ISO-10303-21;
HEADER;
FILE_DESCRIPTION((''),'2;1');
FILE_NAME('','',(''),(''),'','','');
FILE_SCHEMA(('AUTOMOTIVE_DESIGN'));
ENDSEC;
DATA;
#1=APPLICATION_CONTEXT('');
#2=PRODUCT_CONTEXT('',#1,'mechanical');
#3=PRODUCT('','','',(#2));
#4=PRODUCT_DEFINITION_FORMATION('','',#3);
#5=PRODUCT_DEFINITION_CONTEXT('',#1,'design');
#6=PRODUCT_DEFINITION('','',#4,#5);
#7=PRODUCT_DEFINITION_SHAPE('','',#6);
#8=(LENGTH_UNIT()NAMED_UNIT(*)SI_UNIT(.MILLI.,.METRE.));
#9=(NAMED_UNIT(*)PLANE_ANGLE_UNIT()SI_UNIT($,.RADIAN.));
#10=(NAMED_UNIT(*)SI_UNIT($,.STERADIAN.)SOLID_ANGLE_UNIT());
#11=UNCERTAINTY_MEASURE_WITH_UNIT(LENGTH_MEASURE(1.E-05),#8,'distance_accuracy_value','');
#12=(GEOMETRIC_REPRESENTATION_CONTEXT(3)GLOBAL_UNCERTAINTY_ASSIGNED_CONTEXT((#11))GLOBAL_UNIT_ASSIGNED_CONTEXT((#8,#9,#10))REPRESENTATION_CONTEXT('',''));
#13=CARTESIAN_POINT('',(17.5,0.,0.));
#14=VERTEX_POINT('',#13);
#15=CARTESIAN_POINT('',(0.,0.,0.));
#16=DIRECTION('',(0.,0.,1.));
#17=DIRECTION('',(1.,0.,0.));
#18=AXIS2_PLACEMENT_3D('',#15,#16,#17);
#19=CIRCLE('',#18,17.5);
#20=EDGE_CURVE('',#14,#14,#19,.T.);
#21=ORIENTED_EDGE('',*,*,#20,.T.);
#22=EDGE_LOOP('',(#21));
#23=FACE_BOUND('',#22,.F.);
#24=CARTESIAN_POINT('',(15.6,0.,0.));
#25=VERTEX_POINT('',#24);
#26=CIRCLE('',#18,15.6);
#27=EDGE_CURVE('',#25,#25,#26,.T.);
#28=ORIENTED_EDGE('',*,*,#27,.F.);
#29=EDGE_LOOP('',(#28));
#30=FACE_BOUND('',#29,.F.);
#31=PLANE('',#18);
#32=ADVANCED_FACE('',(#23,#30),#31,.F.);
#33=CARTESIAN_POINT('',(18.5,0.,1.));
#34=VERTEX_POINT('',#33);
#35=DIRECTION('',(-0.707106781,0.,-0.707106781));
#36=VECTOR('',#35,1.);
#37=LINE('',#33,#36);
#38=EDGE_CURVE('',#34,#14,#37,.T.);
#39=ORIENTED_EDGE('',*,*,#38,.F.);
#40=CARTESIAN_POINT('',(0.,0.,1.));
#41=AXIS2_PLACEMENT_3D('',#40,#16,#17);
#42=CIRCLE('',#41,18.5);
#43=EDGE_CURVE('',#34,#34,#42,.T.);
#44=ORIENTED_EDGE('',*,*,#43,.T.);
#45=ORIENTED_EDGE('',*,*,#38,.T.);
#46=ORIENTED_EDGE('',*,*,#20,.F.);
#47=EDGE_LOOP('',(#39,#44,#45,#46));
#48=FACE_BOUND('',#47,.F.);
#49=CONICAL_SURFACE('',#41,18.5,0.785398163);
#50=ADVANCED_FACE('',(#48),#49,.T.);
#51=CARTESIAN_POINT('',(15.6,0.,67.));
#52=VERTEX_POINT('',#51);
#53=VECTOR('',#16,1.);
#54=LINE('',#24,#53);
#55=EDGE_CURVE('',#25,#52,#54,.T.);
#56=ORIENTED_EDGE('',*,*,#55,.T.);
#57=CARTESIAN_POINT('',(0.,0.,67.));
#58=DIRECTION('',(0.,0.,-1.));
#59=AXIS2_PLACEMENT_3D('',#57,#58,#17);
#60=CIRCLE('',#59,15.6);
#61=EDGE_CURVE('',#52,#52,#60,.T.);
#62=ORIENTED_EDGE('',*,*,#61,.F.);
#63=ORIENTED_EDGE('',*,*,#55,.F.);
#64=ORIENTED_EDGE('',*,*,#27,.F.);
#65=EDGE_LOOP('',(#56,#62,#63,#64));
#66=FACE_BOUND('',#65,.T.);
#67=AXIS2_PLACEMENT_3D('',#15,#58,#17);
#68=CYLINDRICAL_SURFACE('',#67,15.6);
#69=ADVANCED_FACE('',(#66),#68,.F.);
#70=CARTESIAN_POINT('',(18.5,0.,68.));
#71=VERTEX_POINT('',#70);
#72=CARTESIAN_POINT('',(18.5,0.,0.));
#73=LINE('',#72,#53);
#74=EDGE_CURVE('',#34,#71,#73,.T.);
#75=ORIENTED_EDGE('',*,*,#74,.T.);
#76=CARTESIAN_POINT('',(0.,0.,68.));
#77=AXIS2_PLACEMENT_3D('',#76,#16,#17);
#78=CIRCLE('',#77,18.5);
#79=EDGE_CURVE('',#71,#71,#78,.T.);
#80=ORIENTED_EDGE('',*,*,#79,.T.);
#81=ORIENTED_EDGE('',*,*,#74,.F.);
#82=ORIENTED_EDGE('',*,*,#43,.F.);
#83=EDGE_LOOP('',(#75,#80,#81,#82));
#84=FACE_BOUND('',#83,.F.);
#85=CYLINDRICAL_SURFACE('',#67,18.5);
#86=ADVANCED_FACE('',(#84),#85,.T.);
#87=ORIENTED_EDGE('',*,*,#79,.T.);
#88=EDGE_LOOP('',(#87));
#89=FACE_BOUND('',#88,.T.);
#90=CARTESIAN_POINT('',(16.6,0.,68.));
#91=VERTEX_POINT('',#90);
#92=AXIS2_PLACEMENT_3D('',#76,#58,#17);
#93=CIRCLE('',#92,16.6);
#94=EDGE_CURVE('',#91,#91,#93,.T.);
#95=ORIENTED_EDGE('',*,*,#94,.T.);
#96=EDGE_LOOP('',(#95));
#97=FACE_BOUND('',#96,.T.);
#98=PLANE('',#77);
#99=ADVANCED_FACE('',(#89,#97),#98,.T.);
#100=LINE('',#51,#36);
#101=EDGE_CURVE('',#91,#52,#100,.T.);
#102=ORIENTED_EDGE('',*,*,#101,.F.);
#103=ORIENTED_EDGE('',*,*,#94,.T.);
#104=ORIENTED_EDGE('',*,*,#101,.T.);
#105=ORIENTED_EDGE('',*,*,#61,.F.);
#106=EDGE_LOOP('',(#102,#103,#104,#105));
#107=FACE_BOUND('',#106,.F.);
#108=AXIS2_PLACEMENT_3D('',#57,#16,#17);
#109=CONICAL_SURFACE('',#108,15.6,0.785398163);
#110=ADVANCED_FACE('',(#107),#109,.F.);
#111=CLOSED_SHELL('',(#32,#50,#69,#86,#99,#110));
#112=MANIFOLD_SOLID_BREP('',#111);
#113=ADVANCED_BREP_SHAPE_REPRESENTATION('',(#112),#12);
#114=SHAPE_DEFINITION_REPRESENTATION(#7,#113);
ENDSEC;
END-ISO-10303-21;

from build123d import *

# Parameters (mm, degrees)
F0_R     = 18.5
F1_DEPTH = 68
F2_R     = 15.6
F3_DEPTH = 68.001
F4_SIZE  = 1
F5_SIZE  = 1


with BuildPart() as f1:
    # F0 (on Top) → F1 (new body)
    with BuildSketch(Plane.XY):
        Circle(F0_R)
    extrude(amount=F1_DEPTH)

    # F2 (on Top) → F3 (cut, through all)
    with BuildSketch(Plane.XY):
        Circle(F2_R)
    extrude(amount=F3_DEPTH, mode=Mode.SUBTRACT)

    # F4
    f4_edges = [f1.edges().sort_by_distance(p)[0] for p in [
        (-18.5, 0, 0),
    ]]
    chamfer(f4_edges, length=F4_SIZE)

    # F5
    f5_edges = [f1.edges().sort_by_distance(p)[0] for p in [
        (-15.6, 0, 68),
    ]]
    chamfer(f5_edges, length=F5_SIZE)


solid = f1.part
